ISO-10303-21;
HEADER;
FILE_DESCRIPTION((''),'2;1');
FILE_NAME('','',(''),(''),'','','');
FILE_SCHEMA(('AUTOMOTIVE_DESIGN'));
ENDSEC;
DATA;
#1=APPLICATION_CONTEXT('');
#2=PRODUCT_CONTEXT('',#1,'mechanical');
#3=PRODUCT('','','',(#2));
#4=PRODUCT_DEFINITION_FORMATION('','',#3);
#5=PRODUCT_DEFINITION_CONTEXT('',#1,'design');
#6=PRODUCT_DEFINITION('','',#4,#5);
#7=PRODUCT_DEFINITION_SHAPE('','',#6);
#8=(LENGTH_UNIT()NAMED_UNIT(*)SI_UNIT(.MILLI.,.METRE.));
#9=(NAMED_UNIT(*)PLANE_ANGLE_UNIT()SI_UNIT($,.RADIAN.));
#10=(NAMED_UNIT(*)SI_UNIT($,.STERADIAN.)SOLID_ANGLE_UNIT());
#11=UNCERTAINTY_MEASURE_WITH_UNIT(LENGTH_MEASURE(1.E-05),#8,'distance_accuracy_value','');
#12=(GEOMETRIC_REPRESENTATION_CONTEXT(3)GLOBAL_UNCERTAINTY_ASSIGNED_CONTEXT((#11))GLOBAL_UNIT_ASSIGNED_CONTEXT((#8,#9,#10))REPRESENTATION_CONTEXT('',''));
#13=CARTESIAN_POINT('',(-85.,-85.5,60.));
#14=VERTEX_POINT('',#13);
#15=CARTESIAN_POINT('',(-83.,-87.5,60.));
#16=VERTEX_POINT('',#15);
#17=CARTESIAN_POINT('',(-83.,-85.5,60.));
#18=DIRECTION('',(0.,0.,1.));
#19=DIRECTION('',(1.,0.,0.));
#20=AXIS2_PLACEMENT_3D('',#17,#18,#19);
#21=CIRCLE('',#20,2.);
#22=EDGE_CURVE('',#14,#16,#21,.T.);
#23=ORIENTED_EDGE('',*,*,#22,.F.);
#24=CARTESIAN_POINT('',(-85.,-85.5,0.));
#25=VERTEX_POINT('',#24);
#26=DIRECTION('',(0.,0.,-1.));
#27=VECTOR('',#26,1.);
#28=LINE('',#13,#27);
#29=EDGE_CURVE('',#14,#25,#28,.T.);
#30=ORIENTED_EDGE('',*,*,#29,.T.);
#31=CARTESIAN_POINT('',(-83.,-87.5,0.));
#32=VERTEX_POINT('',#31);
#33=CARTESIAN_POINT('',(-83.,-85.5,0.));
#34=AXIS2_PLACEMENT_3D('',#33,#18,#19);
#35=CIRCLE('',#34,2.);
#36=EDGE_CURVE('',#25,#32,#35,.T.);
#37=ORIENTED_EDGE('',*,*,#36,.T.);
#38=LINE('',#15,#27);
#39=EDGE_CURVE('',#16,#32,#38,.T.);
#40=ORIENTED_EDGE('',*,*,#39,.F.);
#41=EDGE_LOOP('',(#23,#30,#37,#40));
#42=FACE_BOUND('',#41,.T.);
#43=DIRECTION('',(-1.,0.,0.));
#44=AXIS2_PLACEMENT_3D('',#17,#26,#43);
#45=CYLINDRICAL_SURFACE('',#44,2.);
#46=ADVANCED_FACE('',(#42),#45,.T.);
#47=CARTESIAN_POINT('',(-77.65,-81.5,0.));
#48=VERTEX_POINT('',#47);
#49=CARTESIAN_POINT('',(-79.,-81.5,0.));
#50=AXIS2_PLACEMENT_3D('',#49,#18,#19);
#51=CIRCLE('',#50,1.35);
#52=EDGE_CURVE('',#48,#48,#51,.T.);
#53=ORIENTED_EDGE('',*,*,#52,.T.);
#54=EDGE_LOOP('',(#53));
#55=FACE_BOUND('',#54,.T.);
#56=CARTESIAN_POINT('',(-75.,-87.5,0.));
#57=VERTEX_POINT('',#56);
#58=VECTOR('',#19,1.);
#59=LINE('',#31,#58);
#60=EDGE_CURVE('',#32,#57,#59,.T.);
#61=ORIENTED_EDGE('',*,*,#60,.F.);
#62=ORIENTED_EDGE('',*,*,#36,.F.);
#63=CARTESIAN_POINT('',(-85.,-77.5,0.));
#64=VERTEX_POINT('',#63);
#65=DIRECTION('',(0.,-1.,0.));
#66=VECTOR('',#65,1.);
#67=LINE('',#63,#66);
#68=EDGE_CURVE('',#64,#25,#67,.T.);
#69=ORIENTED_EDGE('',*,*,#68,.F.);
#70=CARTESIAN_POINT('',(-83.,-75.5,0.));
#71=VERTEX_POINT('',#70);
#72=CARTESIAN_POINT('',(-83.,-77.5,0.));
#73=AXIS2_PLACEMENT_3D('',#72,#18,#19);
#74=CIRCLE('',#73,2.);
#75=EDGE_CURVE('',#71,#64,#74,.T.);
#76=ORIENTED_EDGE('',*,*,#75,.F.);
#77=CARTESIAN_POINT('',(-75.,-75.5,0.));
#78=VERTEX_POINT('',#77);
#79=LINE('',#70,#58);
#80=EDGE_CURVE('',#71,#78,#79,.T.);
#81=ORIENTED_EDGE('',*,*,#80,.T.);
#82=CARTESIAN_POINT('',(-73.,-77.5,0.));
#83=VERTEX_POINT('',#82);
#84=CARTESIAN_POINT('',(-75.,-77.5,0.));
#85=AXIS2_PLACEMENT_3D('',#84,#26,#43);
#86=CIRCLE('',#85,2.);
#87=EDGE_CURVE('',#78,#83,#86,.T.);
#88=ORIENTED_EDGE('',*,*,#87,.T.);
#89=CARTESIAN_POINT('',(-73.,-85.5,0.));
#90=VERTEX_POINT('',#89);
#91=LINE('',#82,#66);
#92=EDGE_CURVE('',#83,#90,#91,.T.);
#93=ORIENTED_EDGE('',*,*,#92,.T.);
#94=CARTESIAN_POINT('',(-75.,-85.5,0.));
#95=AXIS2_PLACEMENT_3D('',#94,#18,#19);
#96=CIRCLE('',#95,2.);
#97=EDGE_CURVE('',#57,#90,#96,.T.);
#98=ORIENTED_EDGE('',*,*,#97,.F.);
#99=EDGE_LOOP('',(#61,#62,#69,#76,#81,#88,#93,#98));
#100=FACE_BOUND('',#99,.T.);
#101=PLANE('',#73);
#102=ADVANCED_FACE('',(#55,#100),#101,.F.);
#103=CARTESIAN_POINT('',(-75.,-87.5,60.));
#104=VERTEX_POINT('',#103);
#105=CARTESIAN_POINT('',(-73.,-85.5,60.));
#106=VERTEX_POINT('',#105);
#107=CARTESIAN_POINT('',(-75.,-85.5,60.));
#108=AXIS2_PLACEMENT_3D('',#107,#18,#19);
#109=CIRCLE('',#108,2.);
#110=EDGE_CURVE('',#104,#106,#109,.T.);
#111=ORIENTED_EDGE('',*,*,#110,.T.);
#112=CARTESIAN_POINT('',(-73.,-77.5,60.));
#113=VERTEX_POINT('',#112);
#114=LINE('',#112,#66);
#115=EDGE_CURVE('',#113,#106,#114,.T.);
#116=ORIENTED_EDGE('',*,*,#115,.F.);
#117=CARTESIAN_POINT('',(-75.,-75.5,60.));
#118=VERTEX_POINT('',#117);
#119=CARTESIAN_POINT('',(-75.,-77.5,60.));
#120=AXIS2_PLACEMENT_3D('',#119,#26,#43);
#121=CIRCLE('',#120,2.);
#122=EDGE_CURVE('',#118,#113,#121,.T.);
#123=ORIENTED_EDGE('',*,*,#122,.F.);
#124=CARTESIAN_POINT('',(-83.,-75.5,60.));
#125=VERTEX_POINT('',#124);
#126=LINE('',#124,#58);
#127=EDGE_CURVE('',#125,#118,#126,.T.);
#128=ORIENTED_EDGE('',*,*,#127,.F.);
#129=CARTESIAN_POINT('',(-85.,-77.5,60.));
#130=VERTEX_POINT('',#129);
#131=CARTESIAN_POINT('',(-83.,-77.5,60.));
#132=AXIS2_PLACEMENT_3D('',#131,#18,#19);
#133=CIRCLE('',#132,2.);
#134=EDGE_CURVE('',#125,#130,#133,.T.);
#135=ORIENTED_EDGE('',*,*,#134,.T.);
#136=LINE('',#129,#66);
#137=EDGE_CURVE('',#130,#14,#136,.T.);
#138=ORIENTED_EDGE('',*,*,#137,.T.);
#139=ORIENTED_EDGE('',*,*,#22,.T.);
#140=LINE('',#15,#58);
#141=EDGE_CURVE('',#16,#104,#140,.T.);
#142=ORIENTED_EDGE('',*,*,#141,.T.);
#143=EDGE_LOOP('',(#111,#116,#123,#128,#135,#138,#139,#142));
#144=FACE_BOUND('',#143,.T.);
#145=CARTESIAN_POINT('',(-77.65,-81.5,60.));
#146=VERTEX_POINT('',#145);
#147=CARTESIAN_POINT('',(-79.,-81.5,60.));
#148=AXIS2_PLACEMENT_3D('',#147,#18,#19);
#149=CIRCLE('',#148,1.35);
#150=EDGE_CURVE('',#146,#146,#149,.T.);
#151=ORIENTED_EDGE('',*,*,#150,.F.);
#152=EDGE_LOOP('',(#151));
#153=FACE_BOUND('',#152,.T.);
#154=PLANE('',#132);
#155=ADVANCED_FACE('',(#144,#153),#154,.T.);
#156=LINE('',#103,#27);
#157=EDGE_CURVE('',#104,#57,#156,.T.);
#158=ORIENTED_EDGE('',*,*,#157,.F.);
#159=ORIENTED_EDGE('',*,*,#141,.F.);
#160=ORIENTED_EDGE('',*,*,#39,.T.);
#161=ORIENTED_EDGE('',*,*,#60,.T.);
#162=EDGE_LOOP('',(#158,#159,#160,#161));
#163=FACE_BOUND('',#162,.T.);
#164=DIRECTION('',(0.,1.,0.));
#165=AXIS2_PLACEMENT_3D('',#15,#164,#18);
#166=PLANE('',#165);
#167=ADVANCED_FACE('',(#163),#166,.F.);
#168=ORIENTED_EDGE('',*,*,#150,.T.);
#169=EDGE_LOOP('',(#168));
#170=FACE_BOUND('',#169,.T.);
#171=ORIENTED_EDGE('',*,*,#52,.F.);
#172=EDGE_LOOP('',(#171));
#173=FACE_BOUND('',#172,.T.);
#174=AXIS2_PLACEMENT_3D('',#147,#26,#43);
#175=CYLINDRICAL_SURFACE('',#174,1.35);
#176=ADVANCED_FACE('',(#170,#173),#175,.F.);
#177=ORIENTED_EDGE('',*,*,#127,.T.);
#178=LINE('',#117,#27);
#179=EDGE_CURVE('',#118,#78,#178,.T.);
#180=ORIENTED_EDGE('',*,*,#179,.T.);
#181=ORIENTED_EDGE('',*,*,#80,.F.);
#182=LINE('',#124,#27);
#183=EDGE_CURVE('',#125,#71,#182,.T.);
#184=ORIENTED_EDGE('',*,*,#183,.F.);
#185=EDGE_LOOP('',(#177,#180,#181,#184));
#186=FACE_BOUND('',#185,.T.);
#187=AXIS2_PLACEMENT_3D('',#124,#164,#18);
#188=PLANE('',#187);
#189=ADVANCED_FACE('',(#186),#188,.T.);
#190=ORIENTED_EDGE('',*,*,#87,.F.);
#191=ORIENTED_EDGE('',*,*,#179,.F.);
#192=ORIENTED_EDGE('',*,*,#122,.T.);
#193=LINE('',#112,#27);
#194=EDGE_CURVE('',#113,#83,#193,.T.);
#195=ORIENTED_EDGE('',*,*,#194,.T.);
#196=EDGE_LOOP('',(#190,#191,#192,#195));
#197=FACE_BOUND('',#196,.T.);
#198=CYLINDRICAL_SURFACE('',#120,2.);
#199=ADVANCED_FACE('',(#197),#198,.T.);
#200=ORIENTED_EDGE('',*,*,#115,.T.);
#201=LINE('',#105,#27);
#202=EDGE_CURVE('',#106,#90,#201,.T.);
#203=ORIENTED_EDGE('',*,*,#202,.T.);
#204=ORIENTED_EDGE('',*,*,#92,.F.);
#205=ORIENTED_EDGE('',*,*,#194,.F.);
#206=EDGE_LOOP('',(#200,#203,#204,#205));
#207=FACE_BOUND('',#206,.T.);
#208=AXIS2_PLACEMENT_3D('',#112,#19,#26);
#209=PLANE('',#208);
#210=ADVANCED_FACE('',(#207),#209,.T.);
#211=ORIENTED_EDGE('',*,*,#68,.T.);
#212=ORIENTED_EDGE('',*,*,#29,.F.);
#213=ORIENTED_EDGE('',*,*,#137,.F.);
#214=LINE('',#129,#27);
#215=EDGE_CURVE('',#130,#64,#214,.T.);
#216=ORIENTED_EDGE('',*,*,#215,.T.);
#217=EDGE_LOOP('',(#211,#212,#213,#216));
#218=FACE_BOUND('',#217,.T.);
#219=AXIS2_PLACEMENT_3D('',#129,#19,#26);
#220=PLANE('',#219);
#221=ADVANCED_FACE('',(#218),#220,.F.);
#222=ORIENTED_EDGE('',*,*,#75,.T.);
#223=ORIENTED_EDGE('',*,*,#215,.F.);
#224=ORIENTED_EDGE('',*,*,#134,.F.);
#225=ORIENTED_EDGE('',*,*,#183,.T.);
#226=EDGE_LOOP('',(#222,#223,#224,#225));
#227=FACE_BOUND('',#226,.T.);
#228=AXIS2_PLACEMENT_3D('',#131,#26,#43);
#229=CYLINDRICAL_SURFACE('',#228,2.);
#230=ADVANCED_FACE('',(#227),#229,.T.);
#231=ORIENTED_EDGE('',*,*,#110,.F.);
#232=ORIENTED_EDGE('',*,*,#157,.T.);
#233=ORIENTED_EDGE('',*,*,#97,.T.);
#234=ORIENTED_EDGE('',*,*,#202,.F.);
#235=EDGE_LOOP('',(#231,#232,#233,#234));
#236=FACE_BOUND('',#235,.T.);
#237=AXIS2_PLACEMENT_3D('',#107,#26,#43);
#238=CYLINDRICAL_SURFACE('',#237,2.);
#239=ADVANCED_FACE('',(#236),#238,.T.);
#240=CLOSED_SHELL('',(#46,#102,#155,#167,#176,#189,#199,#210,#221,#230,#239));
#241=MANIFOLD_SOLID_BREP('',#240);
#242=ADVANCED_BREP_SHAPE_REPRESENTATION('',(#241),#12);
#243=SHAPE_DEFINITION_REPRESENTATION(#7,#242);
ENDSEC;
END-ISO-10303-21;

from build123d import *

# Parameters (mm, degrees)
SKETCH1_R           = 1.35
BOSS_EXTRUDE1_DEPTH = 60


with BuildPart() as part:
    # Sketch1 → Boss-Extrude1 (new body)
    with BuildSketch(Plane.XY):
        with BuildLine():
            Line((-83, -75.5), (-75, -75.5))
            ThreePointArc((-75, -75.5), (-73.585786438, -76.085786438), (-73, -77.5))
            Line((-73, -77.5), (-73, -85.5))
            ThreePointArc((-73, -85.5), (-73.585786438, -86.914213562), (-75, -87.5))
            Line((-75, -87.5), (-83, -87.5))
            ThreePointArc((-83, -87.5), (-84.414213562, -86.914213562), (-85, -85.5))
            Line((-85, -85.5), (-85, -77.5))
            ThreePointArc((-85, -77.5), (-84.414213562, -76.085786438), (-83, -75.5))
        make_face()
        with Locations((-79, -81.5)):
            Circle(SKETCH1_R, mode=Mode.SUBTRACT)
    extrude(amount=BOSS_EXTRUDE1_DEPTH)


solid = part.part
